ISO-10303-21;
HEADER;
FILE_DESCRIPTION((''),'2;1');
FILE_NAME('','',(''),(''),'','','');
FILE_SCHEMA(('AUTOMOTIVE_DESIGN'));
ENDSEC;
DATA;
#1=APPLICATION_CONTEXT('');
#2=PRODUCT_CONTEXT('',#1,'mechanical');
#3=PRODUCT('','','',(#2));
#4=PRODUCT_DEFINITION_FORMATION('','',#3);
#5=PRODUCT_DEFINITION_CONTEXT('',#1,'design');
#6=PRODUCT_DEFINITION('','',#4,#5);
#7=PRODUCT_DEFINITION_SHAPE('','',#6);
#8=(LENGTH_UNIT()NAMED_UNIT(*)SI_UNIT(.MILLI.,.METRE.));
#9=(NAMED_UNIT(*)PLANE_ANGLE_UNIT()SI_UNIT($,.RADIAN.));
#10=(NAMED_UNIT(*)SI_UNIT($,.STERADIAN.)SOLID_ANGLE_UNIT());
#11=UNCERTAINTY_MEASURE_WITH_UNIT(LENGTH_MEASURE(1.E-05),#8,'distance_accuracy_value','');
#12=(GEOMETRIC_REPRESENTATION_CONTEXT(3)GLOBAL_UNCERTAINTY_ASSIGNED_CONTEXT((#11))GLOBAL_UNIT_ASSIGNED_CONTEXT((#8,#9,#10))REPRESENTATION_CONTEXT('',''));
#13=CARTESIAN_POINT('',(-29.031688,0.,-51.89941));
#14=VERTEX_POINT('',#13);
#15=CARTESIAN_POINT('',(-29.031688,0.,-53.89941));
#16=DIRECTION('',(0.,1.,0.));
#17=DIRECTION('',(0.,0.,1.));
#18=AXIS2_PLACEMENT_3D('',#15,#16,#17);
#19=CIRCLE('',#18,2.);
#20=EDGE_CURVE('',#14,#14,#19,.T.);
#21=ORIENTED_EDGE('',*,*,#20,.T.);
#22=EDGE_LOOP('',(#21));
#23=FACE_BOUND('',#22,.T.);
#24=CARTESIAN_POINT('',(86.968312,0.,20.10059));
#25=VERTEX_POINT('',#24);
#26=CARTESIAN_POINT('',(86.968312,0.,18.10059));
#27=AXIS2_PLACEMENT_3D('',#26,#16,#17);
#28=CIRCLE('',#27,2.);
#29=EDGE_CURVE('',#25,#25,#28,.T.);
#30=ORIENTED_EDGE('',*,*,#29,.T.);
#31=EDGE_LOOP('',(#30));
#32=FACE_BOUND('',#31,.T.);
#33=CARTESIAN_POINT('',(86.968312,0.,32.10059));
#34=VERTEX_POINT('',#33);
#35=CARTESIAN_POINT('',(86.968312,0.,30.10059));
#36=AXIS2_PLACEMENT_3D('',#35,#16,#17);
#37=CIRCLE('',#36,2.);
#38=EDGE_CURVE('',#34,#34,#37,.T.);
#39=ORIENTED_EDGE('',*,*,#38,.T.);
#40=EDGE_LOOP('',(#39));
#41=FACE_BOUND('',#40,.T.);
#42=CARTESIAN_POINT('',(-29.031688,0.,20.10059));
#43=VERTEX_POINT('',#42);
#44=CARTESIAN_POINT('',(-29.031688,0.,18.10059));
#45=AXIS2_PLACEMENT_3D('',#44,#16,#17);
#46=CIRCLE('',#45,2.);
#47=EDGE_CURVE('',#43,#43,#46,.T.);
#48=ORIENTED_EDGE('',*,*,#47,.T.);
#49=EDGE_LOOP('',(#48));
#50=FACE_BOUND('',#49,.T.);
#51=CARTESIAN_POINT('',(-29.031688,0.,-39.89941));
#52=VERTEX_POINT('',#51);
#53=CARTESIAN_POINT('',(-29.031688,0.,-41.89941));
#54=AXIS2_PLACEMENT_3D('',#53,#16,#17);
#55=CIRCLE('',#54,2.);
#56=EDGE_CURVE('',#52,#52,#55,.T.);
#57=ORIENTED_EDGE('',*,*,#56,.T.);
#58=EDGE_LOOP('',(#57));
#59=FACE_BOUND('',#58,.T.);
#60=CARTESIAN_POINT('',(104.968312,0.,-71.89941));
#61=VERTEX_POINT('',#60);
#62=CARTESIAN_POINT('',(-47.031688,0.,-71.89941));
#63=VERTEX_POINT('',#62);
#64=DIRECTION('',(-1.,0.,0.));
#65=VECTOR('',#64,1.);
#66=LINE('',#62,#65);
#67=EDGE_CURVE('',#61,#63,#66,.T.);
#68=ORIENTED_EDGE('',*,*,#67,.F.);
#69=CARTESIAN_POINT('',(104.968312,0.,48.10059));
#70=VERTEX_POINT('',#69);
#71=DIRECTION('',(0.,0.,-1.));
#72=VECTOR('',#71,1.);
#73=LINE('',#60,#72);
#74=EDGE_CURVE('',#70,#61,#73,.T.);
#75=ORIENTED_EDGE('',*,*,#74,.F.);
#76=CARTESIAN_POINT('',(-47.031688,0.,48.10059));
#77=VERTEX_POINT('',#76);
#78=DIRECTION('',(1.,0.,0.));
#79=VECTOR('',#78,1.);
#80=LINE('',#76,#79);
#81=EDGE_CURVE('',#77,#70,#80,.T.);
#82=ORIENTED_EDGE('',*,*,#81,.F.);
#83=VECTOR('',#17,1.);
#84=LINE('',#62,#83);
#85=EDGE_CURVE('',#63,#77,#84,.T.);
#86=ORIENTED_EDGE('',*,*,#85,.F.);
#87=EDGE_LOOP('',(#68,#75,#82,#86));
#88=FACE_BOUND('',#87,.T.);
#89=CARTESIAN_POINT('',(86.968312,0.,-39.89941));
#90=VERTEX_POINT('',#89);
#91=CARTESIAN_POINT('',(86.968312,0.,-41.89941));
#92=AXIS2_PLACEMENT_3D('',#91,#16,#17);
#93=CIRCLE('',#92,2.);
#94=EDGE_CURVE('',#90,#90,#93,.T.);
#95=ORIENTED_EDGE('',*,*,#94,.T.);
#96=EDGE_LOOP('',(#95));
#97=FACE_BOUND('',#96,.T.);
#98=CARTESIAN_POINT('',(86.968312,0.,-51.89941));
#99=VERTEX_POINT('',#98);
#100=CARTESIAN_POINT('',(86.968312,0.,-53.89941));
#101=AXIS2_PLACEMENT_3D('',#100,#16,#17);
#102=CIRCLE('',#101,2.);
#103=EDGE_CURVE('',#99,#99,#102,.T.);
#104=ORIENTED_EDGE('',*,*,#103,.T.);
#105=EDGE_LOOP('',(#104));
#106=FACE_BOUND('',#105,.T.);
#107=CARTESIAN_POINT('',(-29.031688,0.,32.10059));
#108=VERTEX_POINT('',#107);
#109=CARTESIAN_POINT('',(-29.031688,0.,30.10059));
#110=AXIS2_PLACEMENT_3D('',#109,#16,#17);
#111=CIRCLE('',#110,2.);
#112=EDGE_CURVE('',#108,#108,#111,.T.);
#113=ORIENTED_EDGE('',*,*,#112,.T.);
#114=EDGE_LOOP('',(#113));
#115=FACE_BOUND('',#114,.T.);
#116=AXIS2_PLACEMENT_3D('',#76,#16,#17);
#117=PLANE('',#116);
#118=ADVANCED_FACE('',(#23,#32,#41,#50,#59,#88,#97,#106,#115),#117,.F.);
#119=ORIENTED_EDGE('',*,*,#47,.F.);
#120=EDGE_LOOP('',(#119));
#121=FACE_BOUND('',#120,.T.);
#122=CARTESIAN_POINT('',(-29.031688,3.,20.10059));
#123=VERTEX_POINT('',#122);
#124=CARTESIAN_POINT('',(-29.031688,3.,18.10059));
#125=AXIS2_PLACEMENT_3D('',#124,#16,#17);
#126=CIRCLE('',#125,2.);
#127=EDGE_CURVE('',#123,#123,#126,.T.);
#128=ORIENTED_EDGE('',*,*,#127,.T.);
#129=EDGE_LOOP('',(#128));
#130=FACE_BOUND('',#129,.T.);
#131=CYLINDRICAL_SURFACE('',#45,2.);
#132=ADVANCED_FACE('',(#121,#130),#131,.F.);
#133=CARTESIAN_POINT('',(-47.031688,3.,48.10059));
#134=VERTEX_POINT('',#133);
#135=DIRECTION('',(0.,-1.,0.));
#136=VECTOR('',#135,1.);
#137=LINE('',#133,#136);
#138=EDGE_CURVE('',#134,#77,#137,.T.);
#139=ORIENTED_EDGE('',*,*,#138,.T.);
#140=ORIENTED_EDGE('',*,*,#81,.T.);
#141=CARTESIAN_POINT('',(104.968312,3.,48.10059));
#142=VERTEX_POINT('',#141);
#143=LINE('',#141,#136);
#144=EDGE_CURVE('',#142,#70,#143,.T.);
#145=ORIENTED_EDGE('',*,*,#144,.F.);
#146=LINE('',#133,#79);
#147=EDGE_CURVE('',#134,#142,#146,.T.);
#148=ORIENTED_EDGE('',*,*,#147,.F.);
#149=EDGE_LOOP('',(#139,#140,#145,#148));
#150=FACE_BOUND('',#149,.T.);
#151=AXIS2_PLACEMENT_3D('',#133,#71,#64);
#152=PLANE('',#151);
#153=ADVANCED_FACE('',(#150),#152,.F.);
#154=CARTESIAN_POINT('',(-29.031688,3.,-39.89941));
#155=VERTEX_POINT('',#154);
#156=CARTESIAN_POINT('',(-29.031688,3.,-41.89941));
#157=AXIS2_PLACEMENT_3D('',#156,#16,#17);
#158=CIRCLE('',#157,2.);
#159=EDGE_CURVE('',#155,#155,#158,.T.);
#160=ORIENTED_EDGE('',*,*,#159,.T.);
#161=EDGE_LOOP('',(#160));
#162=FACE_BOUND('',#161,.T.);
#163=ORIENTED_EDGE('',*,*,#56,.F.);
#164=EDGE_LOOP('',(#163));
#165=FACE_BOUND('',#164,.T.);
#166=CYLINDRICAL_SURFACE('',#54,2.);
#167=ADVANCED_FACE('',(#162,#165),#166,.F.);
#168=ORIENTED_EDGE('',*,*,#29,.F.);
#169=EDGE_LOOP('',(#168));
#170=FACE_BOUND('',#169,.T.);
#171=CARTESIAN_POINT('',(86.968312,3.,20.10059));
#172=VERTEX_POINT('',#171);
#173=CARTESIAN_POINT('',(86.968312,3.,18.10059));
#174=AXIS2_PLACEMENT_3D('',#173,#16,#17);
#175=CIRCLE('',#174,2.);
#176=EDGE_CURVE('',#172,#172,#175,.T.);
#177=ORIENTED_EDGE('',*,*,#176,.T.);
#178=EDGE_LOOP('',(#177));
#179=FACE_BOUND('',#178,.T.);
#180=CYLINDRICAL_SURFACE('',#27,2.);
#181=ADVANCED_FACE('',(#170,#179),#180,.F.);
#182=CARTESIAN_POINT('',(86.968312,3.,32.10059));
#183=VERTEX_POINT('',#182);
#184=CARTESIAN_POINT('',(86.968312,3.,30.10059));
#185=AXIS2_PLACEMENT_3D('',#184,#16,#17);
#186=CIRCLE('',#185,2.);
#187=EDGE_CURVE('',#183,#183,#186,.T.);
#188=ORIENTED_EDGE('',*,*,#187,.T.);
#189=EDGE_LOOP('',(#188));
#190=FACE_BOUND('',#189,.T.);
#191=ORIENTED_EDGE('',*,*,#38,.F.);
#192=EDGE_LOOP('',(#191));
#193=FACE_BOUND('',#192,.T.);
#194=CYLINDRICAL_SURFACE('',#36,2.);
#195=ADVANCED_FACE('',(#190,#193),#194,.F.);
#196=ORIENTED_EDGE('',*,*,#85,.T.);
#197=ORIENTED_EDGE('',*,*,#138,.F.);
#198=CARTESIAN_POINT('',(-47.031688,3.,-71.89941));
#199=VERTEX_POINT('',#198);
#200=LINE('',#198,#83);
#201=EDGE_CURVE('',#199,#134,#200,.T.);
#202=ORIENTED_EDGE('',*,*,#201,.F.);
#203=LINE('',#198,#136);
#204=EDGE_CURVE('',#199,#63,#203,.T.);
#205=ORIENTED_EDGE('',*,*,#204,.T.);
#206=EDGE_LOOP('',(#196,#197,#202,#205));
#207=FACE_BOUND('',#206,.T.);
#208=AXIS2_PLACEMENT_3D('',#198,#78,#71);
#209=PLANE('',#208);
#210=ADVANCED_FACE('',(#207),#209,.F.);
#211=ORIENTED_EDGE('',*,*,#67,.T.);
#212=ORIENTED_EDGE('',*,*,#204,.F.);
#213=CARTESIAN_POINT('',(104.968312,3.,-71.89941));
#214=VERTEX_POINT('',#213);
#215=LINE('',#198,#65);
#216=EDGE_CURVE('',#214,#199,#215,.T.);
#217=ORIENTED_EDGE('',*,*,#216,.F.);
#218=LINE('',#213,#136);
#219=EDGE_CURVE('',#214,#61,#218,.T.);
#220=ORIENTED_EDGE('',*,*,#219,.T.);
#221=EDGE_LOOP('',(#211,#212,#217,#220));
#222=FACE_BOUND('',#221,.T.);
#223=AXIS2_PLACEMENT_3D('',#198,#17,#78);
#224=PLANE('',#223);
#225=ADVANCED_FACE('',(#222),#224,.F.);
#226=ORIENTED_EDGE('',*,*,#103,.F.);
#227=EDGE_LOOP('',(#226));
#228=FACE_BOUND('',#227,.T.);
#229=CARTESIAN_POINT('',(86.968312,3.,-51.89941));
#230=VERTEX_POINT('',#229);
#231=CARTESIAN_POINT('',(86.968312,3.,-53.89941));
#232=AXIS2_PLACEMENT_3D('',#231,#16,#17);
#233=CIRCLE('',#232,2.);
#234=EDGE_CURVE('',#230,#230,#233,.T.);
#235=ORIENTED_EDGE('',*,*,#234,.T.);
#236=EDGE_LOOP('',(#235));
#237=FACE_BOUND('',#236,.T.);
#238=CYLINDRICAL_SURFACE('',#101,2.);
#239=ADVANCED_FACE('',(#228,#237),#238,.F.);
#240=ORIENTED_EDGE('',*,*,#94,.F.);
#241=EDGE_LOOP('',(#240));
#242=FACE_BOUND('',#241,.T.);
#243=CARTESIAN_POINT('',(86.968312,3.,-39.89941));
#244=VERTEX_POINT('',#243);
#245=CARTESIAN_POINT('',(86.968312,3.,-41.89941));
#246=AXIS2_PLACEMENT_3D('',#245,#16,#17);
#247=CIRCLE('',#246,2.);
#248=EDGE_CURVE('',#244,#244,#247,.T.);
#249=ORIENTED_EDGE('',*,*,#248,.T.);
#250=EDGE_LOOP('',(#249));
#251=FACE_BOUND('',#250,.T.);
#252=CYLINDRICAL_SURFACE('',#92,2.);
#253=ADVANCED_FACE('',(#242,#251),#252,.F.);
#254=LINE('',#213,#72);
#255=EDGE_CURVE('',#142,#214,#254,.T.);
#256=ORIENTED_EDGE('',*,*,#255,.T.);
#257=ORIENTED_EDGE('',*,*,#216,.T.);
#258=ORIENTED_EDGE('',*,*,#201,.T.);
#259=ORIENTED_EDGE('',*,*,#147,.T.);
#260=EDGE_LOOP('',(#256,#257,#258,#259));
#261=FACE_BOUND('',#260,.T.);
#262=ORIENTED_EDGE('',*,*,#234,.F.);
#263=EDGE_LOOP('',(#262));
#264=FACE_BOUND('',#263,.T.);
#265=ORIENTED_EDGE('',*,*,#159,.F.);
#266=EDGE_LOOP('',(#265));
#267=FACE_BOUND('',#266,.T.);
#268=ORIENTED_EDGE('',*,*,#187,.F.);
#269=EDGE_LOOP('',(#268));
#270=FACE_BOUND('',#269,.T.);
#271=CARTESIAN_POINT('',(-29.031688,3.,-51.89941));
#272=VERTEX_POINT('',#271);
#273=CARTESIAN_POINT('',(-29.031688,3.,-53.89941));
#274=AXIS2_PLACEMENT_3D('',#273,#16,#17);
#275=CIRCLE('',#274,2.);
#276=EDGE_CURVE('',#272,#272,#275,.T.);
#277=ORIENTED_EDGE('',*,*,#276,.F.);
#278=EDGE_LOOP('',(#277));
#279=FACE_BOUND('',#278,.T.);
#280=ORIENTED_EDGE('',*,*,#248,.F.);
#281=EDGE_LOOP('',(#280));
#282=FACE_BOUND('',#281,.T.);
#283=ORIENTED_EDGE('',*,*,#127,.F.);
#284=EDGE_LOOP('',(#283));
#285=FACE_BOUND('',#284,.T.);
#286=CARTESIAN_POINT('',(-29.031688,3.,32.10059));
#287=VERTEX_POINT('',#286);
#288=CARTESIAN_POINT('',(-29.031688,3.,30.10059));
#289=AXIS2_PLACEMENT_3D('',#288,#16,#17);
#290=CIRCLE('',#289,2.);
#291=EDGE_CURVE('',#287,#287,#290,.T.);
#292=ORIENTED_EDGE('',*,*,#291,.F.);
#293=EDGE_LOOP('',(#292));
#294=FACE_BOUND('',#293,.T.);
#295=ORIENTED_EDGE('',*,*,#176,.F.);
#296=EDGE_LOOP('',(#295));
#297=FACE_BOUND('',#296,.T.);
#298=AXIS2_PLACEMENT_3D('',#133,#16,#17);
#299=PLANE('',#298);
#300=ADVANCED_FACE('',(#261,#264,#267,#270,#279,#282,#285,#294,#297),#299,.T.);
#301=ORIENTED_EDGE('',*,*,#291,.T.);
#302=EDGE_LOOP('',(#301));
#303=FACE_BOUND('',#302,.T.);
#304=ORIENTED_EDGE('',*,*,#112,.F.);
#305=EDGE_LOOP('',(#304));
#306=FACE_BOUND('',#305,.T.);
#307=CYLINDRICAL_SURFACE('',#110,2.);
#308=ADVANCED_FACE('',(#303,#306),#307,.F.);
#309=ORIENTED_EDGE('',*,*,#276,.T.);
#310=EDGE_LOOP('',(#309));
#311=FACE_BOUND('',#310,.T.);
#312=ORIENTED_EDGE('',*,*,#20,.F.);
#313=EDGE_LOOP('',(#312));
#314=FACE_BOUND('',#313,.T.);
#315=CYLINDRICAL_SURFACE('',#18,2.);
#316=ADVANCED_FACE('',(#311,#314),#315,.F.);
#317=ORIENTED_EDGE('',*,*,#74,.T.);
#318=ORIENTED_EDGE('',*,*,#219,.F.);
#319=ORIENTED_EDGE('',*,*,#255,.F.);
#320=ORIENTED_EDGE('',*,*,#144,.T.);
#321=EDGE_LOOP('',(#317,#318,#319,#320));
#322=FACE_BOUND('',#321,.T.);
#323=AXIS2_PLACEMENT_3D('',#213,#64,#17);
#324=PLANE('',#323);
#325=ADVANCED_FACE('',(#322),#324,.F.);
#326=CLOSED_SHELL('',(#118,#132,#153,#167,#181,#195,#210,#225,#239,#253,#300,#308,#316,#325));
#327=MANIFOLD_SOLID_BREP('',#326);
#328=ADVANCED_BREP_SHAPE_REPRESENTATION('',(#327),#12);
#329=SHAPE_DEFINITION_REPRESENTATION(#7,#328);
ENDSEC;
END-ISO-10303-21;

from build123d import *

# Parameters (mm, degrees)
SKETCH1_W           = 152
SKETCH1_H           = 120
BOSS_EXTRUDE1_DEPTH = 3
SKETCH2_R           = 2
CUT_EXTRUDE1_DEPTH  = 4
SKETCH5_R           = 2
CUT_EXTRUDE3_DEPTH  = 4
SKETCH6_R           = 2
CUT_EXTRUDE4_DEPTH  = 4


with BuildPart() as part:
    # Sketch1 → Boss-Extrude1 (new body)
    with BuildSketch(Plane(origin=(0, 0, 0), x_dir=(1, 0, 0), z_dir=(0, 1, 0))):
        with Locations((28.968311827, 11.899409823)):
            Rectangle(SKETCH1_W, SKETCH1_H)
    extrude(amount=BOSS_EXTRUDE1_DEPTH)

    # Sketch2 → Cut-Extrude1 (cut, through all)
    with BuildSketch(Plane(origin=(0, 3, 0), x_dir=(-1, 0, 0), z_dir=(0, 1, 0))):
        with Locations((-86.968311827, 30.100590177)):
            Circle(SKETCH2_R)
    extrude(amount=-CUT_EXTRUDE1_DEPTH, mode=Mode.SUBTRACT)

    # Sketch5 → Cut-Extrude3 (cut, through all)
    with BuildSketch(Plane(origin=(0, 3, 0), x_dir=(-1, 0, 0), z_dir=(0, 1, 0))):
        with Locations((-86.968311827, 18.100590177)):
            Circle(SKETCH5_R)
    extrude(amount=-CUT_EXTRUDE3_DEPTH, mode=Mode.SUBTRACT)

    # Sketch6 → Cut-Extrude4 (cut, through all)
    with BuildSketch(Plane(origin=(0, 3, 0), x_dir=(-1, 0, 0), z_dir=(0, 1, 0))):
        with Locations((-86.968311827, -41.899409823)):
            Circle(SKETCH6_R)
        with Locations((29.031688173, -53.899409823)):
            Circle(SKETCH6_R)
        with Locations((-86.968311827, -53.899409823)):
            Circle(SKETCH6_R)
        with Locations((29.031688173, -41.899409823)):
            Circle(SKETCH6_R)
        with Locations((29.031688173, 18.100590177)):
            Circle(SKETCH6_R)
        with Locations((29.031688173, 30.100590177)):
            Circle(SKETCH6_R)
    extrude(amount=-CUT_EXTRUDE4_DEPTH, mode=Mode.SUBTRACT)


solid = part.part
